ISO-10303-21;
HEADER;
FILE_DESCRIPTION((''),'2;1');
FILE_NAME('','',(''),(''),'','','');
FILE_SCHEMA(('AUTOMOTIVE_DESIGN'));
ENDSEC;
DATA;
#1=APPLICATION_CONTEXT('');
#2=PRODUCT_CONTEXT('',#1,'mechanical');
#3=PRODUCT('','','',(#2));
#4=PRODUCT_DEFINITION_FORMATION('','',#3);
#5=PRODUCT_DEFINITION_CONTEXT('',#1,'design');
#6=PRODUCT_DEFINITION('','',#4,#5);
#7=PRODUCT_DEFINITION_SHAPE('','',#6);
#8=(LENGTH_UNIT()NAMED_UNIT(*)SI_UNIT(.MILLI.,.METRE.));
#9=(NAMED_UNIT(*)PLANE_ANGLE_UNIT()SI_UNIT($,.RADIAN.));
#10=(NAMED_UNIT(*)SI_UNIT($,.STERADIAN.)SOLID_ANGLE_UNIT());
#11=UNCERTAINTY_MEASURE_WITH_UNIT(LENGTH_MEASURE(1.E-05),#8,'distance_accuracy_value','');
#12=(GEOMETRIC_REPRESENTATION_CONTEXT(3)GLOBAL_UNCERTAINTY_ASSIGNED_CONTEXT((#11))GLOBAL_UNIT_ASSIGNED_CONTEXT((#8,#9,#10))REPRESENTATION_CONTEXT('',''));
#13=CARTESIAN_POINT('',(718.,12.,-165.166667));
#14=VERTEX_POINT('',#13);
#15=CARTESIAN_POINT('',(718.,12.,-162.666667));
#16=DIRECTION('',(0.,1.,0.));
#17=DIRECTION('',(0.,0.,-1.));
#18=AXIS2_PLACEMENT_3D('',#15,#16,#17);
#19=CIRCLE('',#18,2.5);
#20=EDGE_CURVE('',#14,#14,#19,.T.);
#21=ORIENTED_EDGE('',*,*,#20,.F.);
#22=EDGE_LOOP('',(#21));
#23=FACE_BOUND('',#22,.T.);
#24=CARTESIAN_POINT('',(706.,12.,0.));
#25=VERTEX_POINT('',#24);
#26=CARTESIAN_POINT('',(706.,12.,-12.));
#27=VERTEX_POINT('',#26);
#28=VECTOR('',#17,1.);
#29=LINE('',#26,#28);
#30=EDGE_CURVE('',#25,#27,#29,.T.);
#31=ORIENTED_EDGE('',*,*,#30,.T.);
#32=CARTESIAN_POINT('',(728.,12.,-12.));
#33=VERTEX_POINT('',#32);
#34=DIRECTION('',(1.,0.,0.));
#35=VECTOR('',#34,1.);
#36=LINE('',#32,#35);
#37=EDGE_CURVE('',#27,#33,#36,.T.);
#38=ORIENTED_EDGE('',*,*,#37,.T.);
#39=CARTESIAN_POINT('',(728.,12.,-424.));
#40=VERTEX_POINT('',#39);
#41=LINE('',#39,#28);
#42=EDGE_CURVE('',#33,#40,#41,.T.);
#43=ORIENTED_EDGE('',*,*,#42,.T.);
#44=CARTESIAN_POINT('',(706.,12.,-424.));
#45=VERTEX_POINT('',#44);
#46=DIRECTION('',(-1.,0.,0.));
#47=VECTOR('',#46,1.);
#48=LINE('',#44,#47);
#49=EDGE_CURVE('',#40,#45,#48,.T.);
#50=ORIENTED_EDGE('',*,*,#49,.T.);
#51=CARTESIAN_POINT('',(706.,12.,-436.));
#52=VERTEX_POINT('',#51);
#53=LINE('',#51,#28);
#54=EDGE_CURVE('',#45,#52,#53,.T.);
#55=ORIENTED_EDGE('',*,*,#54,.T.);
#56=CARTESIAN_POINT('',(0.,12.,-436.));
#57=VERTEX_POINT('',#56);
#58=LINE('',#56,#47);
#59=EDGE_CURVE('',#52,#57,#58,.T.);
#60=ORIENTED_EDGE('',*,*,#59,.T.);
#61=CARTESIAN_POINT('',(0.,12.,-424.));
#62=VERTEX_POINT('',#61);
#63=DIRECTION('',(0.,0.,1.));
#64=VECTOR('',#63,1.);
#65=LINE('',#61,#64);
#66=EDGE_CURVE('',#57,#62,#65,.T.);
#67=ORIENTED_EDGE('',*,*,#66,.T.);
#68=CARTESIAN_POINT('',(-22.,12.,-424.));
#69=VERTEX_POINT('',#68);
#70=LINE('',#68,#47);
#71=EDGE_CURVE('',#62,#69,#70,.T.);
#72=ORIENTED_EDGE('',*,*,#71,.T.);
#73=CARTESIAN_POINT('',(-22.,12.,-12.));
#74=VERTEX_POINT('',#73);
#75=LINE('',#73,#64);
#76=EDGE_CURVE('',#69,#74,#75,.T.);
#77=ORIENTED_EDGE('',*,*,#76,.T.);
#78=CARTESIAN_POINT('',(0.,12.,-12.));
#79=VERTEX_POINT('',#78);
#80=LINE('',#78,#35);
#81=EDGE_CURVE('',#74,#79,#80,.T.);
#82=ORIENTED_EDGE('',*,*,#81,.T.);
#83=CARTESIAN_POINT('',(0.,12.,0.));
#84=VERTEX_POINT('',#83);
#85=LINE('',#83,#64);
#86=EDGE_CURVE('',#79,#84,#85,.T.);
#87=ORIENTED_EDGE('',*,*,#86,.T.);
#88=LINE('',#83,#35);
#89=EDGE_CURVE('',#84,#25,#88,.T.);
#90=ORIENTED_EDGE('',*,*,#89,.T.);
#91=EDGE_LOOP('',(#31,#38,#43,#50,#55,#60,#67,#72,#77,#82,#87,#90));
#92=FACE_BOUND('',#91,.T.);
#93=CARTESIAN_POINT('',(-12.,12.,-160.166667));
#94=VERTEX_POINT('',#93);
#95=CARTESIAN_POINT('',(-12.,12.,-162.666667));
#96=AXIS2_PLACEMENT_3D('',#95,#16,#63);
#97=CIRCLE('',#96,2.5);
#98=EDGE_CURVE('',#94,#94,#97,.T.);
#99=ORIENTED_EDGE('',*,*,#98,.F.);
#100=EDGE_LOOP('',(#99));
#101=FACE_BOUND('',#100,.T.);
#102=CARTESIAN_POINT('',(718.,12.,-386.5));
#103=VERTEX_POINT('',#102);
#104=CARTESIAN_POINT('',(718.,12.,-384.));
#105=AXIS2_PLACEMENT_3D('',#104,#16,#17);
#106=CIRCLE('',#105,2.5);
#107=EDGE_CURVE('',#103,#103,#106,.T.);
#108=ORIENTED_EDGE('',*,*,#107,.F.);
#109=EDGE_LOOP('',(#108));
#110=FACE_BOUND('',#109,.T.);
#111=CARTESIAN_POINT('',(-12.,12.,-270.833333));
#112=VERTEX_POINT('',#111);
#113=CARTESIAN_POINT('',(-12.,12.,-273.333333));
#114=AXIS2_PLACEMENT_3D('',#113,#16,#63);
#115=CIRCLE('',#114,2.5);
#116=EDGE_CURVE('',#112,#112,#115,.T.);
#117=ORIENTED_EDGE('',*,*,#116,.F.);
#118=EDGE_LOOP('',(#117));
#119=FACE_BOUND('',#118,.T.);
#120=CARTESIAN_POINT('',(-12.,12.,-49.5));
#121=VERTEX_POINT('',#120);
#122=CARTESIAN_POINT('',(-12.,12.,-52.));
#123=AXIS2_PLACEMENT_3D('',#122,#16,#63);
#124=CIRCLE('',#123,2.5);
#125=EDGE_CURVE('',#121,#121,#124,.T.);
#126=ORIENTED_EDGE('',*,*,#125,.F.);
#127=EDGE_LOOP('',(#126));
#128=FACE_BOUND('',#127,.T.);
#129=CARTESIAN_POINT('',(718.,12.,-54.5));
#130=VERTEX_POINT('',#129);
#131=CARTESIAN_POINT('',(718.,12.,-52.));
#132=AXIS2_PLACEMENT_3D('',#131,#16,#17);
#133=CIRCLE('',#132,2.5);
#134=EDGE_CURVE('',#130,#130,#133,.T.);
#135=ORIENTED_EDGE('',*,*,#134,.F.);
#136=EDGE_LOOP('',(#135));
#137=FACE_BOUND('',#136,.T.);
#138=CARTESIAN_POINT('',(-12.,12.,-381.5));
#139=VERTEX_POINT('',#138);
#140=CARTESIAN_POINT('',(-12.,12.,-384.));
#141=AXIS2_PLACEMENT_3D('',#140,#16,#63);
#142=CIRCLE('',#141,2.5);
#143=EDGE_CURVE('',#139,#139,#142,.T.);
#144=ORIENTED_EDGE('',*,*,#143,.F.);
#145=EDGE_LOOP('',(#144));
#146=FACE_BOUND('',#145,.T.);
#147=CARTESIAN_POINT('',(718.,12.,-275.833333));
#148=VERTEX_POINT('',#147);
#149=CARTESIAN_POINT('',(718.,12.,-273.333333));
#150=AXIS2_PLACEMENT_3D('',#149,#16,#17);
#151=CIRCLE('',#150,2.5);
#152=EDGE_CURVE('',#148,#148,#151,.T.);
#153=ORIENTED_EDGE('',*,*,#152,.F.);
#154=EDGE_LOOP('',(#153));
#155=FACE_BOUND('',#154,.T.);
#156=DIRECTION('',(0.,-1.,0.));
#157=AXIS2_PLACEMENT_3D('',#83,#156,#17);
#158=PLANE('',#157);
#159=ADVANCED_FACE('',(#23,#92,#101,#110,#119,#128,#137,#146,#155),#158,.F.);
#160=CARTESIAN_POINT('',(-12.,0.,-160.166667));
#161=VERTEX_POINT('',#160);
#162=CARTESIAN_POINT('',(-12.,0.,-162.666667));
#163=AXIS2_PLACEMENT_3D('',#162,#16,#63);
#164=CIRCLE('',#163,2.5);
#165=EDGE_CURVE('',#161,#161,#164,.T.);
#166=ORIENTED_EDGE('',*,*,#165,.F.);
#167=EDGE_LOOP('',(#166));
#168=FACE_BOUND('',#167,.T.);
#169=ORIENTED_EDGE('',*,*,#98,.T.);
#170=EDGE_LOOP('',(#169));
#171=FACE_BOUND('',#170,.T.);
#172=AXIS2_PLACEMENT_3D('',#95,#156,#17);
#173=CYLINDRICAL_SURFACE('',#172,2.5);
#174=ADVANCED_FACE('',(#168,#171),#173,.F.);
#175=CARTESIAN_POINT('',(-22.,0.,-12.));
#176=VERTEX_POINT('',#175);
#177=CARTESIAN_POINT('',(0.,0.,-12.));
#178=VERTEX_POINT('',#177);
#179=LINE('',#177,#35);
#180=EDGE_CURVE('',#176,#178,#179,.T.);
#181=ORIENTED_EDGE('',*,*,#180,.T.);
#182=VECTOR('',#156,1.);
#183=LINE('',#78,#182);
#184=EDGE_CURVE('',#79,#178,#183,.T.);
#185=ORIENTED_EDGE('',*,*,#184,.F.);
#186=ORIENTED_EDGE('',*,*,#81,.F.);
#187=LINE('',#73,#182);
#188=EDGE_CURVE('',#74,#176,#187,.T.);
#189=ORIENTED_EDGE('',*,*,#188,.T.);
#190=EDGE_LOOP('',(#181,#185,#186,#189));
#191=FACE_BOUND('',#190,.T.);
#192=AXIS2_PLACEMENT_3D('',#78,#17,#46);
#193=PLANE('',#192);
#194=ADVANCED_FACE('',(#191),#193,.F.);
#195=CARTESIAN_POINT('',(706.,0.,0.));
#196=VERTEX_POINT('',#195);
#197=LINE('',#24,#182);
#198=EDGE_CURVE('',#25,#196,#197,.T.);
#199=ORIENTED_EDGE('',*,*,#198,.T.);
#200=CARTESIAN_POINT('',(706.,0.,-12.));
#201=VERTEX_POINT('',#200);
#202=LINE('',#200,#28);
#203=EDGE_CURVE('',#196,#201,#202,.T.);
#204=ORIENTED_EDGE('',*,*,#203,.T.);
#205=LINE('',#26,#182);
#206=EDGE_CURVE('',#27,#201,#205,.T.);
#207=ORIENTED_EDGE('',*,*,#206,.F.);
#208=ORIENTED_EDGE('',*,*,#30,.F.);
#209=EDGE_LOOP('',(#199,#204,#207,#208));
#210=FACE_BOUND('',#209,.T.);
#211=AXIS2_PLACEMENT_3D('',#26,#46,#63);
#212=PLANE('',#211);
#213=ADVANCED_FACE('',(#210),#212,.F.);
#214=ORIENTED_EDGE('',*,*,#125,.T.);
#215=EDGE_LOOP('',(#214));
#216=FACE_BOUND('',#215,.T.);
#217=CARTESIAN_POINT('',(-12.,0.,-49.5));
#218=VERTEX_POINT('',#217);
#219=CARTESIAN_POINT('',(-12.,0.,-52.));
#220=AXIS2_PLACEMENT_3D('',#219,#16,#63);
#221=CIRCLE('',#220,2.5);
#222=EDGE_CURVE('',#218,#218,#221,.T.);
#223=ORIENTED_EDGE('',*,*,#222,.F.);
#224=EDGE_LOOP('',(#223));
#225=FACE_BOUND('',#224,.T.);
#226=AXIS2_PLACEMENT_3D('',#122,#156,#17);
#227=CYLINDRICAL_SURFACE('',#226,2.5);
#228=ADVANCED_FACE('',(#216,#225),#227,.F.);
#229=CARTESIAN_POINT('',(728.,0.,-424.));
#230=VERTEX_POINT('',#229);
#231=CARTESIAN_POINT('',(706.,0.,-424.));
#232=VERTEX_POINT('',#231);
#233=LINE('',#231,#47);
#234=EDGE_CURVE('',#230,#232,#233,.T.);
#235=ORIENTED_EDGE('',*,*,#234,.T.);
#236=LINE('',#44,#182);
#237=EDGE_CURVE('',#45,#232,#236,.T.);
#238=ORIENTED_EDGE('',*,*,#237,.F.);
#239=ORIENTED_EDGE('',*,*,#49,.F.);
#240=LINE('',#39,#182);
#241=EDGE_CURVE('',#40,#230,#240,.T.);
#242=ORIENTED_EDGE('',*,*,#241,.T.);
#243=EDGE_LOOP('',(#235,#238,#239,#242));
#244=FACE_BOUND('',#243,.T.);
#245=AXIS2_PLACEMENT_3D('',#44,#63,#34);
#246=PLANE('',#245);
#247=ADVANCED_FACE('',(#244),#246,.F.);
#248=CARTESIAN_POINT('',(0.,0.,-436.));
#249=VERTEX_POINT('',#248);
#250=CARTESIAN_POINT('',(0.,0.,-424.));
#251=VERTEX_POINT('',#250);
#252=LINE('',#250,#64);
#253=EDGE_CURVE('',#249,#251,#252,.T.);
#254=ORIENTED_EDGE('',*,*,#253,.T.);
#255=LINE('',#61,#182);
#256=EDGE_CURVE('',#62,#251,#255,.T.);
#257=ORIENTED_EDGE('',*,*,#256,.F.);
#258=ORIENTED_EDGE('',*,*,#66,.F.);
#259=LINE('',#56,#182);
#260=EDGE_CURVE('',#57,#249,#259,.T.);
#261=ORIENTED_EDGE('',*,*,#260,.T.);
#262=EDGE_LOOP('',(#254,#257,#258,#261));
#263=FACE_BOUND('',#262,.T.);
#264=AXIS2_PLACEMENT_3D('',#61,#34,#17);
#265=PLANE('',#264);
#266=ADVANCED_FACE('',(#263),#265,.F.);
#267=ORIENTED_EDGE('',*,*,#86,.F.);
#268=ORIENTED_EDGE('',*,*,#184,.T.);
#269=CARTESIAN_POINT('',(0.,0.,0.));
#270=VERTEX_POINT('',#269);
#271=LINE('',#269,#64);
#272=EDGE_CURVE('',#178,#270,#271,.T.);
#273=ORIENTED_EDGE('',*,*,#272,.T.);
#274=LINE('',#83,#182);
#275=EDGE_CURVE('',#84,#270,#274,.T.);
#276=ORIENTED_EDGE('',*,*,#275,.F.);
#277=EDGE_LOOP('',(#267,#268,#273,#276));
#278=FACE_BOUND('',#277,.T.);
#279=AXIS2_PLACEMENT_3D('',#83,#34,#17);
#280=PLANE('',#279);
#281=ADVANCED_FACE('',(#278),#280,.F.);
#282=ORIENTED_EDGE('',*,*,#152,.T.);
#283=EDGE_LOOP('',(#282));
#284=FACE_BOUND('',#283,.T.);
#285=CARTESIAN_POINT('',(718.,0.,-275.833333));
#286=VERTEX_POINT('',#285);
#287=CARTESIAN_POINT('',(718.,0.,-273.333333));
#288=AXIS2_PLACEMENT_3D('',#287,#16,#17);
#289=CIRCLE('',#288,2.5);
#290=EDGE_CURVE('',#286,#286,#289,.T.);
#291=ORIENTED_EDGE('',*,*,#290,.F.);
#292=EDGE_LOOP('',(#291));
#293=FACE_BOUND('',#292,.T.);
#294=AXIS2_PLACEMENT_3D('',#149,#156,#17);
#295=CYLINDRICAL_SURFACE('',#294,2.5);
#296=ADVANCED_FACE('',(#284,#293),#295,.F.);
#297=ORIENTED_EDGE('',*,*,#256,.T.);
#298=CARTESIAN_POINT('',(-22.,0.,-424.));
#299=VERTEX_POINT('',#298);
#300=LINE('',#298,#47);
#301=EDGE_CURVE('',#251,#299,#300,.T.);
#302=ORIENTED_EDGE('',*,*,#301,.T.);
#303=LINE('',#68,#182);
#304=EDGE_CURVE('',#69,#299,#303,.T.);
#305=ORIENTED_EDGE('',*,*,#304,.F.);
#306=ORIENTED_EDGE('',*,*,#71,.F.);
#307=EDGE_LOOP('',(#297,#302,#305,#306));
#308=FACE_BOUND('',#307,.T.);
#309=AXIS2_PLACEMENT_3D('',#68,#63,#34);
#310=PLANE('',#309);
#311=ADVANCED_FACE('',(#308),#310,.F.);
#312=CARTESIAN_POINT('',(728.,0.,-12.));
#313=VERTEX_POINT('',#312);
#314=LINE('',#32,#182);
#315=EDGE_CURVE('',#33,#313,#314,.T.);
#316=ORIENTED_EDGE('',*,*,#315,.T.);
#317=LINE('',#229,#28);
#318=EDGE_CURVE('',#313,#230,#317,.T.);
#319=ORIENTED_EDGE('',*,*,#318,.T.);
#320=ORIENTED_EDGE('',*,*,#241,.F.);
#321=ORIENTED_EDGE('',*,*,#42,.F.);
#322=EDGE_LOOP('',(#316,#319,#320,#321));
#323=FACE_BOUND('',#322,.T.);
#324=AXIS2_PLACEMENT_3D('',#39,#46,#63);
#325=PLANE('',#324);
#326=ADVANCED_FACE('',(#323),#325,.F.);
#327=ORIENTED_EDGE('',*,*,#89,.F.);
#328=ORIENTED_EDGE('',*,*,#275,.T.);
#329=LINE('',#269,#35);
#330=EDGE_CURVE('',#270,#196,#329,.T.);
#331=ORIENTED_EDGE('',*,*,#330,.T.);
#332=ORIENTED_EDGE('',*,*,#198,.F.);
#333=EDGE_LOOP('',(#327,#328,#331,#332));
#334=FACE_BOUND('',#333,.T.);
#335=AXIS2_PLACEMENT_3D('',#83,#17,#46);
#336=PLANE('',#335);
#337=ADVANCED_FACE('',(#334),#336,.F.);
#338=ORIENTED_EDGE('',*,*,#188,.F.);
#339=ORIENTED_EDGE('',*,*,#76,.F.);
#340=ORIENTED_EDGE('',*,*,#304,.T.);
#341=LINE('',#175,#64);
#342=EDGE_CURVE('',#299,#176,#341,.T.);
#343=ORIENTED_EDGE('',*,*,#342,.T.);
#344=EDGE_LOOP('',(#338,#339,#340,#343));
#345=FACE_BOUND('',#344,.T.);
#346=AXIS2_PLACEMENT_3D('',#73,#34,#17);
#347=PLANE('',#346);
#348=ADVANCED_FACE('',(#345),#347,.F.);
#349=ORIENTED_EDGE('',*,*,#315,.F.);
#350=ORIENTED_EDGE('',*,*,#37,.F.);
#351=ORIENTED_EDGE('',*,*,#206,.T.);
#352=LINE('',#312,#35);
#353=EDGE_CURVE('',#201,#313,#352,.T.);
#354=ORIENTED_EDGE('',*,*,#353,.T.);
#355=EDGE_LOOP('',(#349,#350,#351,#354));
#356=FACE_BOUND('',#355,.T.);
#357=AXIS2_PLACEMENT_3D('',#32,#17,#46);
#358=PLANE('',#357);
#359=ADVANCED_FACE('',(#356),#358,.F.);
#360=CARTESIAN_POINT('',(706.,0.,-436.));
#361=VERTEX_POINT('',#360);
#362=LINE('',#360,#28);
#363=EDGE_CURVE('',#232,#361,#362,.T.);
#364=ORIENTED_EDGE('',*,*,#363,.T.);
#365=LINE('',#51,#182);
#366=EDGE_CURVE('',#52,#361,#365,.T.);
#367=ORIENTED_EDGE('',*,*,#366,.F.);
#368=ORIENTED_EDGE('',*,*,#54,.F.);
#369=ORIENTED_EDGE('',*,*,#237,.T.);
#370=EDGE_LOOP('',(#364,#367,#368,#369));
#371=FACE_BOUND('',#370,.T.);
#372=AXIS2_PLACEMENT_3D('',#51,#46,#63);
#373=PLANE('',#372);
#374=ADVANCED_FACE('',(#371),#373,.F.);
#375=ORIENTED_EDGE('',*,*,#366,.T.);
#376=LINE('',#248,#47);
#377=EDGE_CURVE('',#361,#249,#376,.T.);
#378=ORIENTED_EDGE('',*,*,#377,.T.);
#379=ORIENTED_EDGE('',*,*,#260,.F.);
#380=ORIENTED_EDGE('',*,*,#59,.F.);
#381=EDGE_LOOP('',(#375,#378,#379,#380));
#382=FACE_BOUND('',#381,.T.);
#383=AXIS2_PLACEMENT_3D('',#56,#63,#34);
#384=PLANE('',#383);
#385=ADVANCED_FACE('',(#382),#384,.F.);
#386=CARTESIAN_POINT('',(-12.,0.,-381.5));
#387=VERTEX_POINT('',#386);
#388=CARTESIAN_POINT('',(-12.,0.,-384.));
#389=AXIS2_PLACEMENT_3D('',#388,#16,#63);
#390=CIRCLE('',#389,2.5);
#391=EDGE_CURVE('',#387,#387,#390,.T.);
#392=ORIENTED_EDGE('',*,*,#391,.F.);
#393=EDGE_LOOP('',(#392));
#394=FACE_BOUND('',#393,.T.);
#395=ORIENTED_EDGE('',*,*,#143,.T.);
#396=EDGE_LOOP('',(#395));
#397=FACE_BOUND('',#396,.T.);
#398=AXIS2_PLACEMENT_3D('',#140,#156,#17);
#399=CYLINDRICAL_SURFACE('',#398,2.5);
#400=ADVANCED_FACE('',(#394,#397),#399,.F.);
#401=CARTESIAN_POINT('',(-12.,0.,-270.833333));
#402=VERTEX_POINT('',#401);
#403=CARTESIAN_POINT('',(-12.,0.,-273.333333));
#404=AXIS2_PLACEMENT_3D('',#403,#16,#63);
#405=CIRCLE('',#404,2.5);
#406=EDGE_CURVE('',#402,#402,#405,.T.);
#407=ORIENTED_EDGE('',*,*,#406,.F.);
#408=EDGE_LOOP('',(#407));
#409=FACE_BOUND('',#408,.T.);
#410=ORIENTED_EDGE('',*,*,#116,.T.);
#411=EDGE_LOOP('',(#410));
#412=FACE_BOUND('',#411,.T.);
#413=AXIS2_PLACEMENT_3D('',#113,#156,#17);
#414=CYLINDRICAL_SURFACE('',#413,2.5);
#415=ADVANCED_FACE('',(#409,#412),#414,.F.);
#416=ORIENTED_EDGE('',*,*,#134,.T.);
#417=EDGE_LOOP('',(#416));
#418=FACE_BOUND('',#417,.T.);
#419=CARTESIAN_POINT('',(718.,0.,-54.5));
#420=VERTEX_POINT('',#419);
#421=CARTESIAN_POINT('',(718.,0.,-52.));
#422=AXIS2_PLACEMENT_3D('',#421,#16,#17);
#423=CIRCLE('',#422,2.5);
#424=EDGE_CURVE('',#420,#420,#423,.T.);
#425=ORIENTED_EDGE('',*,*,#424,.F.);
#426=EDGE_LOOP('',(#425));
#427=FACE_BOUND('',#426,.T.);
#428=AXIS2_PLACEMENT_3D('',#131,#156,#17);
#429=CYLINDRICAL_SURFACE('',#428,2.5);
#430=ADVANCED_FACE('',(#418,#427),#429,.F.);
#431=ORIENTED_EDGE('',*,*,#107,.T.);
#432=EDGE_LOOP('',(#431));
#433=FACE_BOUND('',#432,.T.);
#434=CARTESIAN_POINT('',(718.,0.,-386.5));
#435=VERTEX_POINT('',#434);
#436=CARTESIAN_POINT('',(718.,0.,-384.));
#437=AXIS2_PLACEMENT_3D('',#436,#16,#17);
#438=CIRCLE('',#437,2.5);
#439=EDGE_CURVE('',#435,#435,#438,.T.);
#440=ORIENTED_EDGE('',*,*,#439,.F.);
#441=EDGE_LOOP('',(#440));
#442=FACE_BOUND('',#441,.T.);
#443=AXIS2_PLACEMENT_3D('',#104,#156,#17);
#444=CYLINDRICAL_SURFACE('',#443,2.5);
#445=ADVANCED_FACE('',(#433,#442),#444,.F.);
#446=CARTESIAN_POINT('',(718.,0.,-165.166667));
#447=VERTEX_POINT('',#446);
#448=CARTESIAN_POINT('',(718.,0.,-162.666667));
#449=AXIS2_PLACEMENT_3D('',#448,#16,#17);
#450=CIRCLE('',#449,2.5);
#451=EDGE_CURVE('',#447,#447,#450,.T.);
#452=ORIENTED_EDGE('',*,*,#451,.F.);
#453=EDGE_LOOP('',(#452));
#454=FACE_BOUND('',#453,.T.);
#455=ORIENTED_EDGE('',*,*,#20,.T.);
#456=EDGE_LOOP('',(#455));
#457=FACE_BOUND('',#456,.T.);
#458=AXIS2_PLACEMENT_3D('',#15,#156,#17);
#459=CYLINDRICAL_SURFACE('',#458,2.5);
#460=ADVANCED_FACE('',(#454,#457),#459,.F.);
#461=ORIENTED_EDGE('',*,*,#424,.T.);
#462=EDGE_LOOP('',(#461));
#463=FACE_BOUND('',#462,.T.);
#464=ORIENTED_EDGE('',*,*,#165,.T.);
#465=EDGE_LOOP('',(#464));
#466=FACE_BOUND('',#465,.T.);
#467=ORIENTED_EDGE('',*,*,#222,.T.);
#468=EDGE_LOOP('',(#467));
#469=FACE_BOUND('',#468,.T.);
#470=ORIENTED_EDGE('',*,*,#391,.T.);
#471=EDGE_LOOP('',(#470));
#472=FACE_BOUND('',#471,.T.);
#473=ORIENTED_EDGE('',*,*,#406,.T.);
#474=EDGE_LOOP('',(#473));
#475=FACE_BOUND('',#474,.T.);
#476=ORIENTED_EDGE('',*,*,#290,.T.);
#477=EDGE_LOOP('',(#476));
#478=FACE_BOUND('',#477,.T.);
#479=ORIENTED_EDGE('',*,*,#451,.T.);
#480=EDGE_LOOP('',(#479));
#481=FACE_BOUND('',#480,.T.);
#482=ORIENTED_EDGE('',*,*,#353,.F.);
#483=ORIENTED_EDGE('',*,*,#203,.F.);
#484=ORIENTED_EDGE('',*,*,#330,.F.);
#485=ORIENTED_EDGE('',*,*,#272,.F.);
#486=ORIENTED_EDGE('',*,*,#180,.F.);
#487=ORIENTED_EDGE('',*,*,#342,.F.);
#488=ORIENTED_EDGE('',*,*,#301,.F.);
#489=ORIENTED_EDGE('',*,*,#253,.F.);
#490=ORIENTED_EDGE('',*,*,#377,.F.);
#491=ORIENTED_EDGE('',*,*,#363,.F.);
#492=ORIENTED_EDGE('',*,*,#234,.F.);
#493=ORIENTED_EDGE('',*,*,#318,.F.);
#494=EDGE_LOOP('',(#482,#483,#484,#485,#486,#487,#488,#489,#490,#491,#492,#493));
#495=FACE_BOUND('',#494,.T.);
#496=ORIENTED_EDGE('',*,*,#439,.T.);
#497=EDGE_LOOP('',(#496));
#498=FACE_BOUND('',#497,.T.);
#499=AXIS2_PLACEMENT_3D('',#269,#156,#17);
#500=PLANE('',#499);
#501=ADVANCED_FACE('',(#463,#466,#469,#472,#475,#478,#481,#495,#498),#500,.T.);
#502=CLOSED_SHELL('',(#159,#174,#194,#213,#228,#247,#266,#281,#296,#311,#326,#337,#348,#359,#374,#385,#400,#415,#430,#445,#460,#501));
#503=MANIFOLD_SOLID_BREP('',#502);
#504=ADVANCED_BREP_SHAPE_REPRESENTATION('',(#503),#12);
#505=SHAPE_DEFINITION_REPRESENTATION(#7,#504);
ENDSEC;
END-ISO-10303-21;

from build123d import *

# Parameters (mm, degrees)
SKETCH1_R           = 2.5
BOSS_EXTRUDE1_DEPTH = 12


with BuildPart() as part:
    # Sketch1 → Boss-Extrude1 (new body)
    with BuildSketch(Plane(origin=(0, 0, 0), x_dir=(1, 0, 0), z_dir=(0, 1, 0))):
        Polygon((0, 0), (0, 12), (-22, 12), (-22, 424), (0, 424), (0, 436), (706, 436), (706, 424), (728, 424), (728, 12), (706, 12), (706, 0), align=None)
        with Locations(Location((-12, 52, 0), (0, 0, 270))):
            Circle(SKETCH1_R, mode=Mode.SUBTRACT)
        with Locations(Location((-12, 162.666666667, 0), (0, 0, 270))):
            Circle(SKETCH1_R, mode=Mode.SUBTRACT)
        with Locations(Location((-12, 273.333333333, 0), (0, 0, 270))):
            Circle(SKETCH1_R, mode=Mode.SUBTRACT)
        with Locations(Location((-12, 384, 0), (0, 0, 270))):
            Circle(SKETCH1_R, mode=Mode.SUBTRACT)
        with Locations(Location((718, 384, 0), (0, 0, 90))):
            Circle(SKETCH1_R, mode=Mode.SUBTRACT)
        with Locations(Location((718, 273.333333333, 0), (0, 0, 90))):
            Circle(SKETCH1_R, mode=Mode.SUBTRACT)
        with Locations(Location((718, 162.666666667, 0), (0, 0, 90))):
            Circle(SKETCH1_R, mode=Mode.SUBTRACT)
        with Locations(Location((718, 52, 0), (0, 0, 90))):
            Circle(SKETCH1_R, mode=Mode.SUBTRACT)
    extrude(amount=BOSS_EXTRUDE1_DEPTH)


solid = part.part
